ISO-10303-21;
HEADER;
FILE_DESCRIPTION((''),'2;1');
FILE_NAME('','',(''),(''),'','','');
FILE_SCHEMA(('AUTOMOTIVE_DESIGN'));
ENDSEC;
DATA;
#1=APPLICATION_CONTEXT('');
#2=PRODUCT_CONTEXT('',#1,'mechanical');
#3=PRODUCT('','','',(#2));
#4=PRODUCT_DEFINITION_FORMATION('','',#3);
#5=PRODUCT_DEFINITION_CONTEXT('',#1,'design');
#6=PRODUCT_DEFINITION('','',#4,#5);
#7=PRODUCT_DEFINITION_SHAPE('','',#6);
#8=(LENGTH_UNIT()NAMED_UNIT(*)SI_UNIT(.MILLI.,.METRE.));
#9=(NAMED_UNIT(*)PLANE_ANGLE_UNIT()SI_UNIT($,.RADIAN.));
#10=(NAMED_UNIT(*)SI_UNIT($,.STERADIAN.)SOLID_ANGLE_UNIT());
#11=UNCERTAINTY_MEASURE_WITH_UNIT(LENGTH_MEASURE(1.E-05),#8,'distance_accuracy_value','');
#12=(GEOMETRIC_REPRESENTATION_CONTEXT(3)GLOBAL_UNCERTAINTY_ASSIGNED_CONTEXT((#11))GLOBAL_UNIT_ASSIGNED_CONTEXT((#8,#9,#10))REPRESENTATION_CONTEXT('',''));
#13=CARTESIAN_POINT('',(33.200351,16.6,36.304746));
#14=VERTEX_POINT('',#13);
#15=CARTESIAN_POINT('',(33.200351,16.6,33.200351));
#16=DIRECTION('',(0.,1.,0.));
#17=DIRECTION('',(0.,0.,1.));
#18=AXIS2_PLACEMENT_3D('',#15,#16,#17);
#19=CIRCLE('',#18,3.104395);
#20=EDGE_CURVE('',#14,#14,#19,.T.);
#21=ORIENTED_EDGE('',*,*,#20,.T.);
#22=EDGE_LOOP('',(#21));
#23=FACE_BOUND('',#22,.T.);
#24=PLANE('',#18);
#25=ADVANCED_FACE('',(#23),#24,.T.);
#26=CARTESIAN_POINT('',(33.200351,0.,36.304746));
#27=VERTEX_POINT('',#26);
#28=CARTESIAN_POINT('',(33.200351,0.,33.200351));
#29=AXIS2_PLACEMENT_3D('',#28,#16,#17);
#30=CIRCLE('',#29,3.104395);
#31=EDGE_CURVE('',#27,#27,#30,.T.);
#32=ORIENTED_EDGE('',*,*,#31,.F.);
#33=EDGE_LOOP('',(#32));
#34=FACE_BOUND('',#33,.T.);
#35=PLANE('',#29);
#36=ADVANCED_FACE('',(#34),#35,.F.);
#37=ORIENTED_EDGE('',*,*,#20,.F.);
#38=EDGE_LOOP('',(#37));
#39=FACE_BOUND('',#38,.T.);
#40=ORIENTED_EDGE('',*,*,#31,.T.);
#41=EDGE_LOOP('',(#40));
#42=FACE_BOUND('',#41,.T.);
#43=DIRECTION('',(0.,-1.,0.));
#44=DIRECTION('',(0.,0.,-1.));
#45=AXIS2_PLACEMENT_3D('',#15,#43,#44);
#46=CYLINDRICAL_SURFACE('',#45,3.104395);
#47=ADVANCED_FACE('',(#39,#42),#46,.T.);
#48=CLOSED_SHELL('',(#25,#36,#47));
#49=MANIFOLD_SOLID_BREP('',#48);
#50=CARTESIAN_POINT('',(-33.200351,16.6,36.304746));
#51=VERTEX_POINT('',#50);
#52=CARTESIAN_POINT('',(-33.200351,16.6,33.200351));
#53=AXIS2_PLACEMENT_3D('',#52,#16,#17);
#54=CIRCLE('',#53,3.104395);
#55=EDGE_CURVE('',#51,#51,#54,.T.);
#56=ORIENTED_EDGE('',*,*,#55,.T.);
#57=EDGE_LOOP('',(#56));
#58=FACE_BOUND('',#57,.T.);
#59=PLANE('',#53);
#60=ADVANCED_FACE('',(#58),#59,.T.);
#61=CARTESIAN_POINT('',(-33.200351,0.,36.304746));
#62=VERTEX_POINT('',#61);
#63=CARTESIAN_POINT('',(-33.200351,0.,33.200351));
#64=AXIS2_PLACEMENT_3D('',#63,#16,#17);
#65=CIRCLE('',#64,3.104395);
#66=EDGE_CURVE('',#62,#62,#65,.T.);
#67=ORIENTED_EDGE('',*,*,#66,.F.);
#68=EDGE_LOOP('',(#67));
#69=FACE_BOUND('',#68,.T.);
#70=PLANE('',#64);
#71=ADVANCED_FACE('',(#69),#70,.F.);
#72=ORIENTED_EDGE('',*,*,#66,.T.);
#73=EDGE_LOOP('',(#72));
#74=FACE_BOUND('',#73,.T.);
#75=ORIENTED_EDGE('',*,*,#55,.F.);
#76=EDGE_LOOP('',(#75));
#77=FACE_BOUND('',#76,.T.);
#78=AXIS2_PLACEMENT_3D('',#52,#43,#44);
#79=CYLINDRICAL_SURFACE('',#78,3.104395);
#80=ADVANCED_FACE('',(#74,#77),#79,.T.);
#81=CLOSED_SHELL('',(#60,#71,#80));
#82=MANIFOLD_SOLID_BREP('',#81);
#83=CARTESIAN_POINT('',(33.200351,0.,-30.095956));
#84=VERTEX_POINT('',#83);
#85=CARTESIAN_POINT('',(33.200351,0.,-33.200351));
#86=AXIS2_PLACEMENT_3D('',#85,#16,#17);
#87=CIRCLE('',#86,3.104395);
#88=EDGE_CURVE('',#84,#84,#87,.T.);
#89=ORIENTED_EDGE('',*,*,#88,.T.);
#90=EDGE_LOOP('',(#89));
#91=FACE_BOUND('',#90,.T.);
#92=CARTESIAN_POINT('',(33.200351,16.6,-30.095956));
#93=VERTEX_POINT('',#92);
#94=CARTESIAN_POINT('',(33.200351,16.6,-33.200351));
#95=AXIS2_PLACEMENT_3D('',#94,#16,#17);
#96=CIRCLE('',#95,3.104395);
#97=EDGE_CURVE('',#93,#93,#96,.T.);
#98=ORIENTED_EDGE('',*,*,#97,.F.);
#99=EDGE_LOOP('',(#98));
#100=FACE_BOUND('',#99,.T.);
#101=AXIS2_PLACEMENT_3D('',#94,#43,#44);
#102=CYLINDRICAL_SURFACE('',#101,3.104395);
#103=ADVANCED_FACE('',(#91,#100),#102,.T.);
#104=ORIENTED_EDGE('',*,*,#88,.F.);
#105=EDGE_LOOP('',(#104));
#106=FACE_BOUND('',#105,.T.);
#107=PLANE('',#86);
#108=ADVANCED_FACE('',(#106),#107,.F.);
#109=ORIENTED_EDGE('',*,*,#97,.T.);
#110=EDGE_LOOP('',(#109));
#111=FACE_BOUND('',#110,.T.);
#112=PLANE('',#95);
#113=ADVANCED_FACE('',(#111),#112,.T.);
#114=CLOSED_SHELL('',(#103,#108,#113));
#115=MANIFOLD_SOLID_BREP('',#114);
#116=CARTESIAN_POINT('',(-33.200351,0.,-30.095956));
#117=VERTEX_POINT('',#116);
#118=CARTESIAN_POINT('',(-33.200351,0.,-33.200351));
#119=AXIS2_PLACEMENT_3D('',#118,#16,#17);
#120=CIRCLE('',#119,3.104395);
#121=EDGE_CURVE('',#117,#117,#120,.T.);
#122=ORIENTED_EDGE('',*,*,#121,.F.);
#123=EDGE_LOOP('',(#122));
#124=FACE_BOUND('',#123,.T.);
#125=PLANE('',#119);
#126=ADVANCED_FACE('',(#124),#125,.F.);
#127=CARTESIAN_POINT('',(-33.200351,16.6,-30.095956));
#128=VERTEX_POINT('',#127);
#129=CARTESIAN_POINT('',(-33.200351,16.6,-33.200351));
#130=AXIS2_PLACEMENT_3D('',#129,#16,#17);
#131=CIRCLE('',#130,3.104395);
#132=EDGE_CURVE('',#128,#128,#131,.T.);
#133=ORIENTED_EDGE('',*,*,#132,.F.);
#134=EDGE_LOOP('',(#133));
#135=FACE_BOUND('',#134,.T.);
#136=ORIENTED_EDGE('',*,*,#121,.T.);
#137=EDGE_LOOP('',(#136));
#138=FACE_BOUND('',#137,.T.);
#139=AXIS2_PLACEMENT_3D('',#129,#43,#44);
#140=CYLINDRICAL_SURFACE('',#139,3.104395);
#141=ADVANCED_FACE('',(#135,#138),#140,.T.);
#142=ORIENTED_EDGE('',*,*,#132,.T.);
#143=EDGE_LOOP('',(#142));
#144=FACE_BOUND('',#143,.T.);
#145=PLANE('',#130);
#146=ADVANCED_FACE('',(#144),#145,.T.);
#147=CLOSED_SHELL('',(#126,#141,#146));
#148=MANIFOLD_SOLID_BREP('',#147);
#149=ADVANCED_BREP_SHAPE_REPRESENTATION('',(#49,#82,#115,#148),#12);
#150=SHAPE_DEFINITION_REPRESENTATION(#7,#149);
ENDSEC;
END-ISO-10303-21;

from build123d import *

# Parameters (mm, degrees)
SKETCH1_R             = 3.104394748
BOSS_EXTRUDE1_DEPTH   = 16.6
BOSS_EXTRUDE1_2_DEPTH = 16.6
BOSS_EXTRUDE1_3_DEPTH = 16.6
BOSS_EXTRUDE1_4_DEPTH = 16.6


with BuildPart() as part:
    # Sketch1 → Boss-Extrude1 (new body)
    with BuildSketch(Plane(origin=(0, 0, 0), x_dir=(1, 0, 0), z_dir=(0, 1, 0))):
        with Locations((-33.200350973, 33.200350973)):
            Circle(SKETCH1_R)
    extrude(amount=BOSS_EXTRUDE1_DEPTH)


with BuildPart() as body_2:
    # Sketch1 → Boss-Extrude1 2 (new body)
    with BuildSketch(Plane(origin=(0, 0, 0), x_dir=(1, 0, 0), z_dir=(0, 1, 0))):
        with Locations((33.200350973, 33.200350973)):
            Circle(SKETCH1_R)
    extrude(amount=BOSS_EXTRUDE1_2_DEPTH)


with BuildPart() as body_3:
    # Sketch1 → Boss-Extrude1 3 (new body)
    with BuildSketch(Plane(origin=(0, 0, 0), x_dir=(1, 0, 0), z_dir=(0, 1, 0))):
        with Locations((33.200350973, -33.200350973)):
            Circle(SKETCH1_R)
    extrude(amount=BOSS_EXTRUDE1_3_DEPTH)


with BuildPart() as body_4:
    # Sketch1 → Boss-Extrude1 4 (new body)
    with BuildSketch(Plane(origin=(0, 0, 0), x_dir=(1, 0, 0), z_dir=(0, 1, 0))):
        with Locations((-33.200350973, -33.200350973)):
            Circle(SKETCH1_R)
    extrude(amount=BOSS_EXTRUDE1_4_DEPTH)


solid = Compound([part.part, body_2.part, body_3.part, body_4.part])
